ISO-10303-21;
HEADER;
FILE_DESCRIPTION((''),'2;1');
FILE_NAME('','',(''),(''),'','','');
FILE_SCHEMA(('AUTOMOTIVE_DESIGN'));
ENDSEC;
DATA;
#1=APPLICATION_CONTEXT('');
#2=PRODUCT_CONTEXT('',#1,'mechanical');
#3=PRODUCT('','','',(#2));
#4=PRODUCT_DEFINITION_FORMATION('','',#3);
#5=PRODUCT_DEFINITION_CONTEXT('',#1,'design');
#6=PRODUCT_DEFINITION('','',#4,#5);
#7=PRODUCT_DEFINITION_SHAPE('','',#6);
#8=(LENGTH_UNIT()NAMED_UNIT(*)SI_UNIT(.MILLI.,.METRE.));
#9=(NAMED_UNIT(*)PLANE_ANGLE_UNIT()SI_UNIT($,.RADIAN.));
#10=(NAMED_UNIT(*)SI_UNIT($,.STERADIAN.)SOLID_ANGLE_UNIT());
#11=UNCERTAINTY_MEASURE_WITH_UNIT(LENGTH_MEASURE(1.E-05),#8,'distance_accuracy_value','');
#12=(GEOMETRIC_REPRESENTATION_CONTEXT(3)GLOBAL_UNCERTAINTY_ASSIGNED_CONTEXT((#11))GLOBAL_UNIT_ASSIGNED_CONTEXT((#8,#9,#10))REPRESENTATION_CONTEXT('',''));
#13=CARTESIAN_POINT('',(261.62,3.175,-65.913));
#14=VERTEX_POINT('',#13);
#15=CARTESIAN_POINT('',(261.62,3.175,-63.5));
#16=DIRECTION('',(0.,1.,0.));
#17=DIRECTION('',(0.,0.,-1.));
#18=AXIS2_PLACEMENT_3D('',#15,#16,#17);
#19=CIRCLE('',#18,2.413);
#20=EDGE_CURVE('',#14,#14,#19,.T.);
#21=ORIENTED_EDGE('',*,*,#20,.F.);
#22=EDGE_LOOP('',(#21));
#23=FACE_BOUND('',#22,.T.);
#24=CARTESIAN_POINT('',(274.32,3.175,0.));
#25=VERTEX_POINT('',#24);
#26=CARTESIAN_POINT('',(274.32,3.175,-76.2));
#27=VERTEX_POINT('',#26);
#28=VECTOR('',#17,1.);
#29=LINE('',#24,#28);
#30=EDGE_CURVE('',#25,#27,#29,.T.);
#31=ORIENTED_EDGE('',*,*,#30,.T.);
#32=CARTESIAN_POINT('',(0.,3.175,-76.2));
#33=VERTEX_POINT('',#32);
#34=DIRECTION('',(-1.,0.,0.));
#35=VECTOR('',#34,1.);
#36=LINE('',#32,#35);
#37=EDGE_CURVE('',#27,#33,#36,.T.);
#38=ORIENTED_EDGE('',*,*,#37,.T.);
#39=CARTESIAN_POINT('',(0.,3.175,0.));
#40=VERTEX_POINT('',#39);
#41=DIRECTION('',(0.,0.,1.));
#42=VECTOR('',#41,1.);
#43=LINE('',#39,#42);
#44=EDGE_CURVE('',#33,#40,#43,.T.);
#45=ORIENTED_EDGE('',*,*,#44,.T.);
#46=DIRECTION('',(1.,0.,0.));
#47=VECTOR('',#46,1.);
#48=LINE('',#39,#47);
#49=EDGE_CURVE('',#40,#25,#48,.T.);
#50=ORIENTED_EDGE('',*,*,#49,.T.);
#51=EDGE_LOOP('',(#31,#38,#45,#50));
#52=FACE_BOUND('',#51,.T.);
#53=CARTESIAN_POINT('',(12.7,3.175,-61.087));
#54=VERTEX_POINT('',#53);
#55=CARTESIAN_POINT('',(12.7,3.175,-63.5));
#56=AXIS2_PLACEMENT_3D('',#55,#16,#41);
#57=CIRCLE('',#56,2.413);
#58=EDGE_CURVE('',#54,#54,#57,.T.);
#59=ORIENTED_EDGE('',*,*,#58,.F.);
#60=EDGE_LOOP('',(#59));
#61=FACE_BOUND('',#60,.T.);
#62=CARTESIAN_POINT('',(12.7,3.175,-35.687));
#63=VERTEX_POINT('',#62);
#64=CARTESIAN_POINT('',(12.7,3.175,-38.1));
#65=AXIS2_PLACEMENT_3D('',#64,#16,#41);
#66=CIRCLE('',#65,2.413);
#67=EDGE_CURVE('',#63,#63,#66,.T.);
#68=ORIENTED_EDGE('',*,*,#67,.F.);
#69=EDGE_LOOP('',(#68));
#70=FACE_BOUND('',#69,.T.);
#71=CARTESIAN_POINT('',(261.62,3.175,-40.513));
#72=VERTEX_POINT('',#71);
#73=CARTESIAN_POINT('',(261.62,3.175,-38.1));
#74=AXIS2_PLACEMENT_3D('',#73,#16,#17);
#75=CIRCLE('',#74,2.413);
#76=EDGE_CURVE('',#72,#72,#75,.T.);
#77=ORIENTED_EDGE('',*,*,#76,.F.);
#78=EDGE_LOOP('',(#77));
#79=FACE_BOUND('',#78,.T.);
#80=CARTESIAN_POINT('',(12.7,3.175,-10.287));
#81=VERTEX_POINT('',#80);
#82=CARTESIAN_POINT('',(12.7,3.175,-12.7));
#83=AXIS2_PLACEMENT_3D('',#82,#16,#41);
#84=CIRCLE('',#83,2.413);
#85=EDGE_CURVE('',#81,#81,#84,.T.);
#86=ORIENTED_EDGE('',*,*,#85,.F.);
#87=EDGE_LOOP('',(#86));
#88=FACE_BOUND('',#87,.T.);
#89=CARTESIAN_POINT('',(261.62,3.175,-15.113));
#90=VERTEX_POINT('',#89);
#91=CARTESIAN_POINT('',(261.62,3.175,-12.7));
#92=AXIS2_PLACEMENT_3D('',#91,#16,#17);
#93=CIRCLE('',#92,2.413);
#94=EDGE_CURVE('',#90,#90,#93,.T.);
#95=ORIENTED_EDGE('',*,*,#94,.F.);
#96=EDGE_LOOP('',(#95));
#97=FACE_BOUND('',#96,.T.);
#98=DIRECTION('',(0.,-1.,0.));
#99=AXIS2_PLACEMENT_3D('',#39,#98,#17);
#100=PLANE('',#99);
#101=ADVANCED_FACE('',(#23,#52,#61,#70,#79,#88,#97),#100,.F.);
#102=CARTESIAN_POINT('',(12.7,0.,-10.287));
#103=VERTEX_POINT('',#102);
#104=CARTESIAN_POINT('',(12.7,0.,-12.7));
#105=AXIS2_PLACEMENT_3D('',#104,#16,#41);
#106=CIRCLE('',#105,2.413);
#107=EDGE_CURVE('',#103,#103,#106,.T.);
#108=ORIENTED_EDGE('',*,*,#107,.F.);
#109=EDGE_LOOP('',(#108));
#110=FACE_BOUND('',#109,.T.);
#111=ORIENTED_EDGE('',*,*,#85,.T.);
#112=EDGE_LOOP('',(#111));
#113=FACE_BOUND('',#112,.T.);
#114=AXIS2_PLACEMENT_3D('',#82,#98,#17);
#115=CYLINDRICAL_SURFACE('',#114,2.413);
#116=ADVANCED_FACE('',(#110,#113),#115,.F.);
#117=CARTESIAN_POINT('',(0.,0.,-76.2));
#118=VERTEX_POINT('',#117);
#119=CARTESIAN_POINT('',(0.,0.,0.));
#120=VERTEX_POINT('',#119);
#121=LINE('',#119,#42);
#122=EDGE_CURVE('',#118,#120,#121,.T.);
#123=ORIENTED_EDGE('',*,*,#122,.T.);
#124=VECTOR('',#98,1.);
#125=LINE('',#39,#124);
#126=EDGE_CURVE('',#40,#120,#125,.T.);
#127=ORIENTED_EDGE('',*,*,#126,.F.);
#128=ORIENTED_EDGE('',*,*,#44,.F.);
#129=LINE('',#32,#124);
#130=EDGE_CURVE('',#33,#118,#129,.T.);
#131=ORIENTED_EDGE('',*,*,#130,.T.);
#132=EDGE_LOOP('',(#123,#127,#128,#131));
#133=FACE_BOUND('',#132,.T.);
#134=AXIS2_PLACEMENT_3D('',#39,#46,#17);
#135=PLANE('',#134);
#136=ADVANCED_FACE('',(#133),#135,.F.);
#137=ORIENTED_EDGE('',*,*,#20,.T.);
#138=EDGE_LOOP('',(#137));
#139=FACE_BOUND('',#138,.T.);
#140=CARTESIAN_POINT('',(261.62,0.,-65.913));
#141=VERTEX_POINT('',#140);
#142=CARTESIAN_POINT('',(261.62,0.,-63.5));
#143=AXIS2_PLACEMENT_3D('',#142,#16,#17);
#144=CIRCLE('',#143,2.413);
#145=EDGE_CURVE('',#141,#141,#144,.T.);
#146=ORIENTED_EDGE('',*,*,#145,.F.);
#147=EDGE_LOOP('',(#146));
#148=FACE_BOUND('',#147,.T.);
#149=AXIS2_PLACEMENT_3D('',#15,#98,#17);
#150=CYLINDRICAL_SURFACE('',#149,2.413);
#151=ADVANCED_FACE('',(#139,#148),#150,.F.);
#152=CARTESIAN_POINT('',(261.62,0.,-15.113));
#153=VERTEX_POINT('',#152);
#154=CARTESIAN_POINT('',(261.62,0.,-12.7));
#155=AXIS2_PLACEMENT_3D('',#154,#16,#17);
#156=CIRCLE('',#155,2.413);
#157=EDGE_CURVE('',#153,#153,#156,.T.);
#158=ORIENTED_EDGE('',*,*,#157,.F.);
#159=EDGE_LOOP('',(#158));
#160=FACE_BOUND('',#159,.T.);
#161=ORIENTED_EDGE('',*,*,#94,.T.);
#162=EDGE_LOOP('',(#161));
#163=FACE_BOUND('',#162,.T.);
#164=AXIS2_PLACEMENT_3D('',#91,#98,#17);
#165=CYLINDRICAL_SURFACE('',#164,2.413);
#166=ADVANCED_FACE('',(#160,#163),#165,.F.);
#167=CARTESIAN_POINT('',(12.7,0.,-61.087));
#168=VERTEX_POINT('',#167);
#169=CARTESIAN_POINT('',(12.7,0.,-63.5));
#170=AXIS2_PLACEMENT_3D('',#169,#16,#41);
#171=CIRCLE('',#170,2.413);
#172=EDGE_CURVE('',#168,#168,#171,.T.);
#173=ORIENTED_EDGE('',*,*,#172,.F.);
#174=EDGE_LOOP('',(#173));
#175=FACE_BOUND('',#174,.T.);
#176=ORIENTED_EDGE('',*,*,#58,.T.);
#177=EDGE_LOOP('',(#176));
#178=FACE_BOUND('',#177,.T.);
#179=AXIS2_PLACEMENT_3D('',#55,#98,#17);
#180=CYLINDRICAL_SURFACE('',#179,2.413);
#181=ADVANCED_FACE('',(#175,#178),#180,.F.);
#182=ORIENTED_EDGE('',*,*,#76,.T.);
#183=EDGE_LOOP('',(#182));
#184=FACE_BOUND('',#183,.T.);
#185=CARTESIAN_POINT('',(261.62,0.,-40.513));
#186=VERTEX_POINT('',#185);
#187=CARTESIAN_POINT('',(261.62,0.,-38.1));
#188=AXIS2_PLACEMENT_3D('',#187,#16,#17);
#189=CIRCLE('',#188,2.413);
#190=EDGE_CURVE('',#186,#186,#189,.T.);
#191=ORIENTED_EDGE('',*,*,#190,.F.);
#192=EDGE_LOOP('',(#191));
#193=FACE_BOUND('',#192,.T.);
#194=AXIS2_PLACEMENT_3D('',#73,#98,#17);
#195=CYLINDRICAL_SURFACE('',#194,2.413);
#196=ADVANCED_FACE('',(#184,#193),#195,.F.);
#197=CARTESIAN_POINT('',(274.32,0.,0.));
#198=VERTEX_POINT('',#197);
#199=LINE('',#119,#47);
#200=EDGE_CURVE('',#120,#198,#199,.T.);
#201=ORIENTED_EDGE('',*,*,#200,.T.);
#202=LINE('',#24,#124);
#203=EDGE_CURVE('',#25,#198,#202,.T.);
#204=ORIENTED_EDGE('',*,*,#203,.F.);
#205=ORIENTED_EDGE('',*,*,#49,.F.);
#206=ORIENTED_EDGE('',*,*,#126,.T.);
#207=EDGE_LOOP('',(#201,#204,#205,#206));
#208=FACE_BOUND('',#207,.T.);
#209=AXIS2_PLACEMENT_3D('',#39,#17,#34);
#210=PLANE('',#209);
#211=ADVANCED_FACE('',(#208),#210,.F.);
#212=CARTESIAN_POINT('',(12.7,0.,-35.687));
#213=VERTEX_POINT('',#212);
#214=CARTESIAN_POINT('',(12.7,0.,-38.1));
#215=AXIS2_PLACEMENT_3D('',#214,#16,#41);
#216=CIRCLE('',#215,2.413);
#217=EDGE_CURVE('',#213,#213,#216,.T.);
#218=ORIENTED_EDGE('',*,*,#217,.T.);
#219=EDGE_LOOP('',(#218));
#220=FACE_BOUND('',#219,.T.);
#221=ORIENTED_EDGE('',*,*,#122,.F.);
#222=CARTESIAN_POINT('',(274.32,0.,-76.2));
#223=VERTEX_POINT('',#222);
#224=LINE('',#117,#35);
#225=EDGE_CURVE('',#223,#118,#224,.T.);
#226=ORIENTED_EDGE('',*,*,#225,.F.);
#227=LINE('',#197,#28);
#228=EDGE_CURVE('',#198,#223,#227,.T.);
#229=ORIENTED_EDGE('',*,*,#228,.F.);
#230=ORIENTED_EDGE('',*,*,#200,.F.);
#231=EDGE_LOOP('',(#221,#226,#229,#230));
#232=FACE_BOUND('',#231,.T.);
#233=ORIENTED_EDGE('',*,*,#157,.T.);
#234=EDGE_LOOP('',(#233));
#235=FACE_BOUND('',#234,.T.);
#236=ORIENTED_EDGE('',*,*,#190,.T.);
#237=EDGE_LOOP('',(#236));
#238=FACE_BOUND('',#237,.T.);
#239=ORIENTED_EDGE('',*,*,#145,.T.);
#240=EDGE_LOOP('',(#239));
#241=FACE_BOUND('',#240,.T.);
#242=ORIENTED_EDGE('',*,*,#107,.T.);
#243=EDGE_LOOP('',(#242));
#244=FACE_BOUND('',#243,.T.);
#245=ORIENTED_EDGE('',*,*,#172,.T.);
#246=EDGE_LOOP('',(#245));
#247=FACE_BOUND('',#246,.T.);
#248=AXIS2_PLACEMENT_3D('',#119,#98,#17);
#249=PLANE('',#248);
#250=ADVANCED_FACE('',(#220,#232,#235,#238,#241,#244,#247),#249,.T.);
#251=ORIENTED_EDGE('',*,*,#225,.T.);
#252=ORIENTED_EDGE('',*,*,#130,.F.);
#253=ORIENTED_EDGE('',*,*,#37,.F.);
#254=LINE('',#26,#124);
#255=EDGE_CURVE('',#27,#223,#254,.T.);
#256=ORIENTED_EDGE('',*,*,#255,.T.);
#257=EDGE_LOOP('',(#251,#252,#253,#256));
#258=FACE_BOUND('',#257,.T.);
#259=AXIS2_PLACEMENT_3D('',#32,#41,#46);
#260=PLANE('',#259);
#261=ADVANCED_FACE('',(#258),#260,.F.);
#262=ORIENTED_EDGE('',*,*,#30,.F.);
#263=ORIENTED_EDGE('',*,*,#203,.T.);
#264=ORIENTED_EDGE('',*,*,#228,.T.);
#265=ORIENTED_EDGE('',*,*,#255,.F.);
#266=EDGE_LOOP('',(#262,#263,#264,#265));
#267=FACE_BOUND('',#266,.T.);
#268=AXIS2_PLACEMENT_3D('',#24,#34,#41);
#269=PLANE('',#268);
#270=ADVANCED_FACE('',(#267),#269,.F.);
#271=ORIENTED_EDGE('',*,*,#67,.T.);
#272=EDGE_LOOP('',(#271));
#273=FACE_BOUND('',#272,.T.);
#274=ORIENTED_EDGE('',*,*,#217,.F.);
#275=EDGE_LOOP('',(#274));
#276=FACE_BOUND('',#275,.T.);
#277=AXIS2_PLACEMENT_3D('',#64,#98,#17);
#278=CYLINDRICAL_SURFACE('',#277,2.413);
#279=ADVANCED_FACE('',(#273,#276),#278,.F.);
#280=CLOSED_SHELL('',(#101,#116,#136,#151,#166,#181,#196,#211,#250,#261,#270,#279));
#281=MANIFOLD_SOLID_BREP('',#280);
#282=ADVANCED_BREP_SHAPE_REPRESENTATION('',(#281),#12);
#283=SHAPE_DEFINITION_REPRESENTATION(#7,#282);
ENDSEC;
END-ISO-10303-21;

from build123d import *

# Parameters (mm, degrees)
SKETCH1_W           = 274.32
SKETCH1_H           = 76.2
SKETCH1_R           = 2.413
BOSS_EXTRUDE1_DEPTH = 3.175


with BuildPart() as part:
    # Sketch1 → Boss-Extrude1 (new body)
    with BuildSketch(Plane(origin=(0, 0, 0), x_dir=(1, 0, 0), z_dir=(0, 1, 0))):
        with Locations((137.16, 38.1)):
            Rectangle(SKETCH1_W, SKETCH1_H)
        with Locations(Location((12.7, 63.5, 0), (0, 0, 270))):
            Circle(SKETCH1_R, mode=Mode.SUBTRACT)
        with Locations(Location((12.7, 38.1, 0), (0, 0, 270))):
            Circle(SKETCH1_R, mode=Mode.SUBTRACT)
        with Locations(Location((12.7, 12.7, 0), (0, 0, 270))):
            Circle(SKETCH1_R, mode=Mode.SUBTRACT)
        with Locations(Location((261.62, 12.7, 0), (0, 0, 90))):
            Circle(SKETCH1_R, mode=Mode.SUBTRACT)
        with Locations(Location((261.62, 38.1, 0), (0, 0, 90))):
            Circle(SKETCH1_R, mode=Mode.SUBTRACT)
        with Locations(Location((261.62, 63.5, 0), (0, 0, 90))):
            Circle(SKETCH1_R, mode=Mode.SUBTRACT)
    extrude(amount=BOSS_EXTRUDE1_DEPTH)


solid = part.part
